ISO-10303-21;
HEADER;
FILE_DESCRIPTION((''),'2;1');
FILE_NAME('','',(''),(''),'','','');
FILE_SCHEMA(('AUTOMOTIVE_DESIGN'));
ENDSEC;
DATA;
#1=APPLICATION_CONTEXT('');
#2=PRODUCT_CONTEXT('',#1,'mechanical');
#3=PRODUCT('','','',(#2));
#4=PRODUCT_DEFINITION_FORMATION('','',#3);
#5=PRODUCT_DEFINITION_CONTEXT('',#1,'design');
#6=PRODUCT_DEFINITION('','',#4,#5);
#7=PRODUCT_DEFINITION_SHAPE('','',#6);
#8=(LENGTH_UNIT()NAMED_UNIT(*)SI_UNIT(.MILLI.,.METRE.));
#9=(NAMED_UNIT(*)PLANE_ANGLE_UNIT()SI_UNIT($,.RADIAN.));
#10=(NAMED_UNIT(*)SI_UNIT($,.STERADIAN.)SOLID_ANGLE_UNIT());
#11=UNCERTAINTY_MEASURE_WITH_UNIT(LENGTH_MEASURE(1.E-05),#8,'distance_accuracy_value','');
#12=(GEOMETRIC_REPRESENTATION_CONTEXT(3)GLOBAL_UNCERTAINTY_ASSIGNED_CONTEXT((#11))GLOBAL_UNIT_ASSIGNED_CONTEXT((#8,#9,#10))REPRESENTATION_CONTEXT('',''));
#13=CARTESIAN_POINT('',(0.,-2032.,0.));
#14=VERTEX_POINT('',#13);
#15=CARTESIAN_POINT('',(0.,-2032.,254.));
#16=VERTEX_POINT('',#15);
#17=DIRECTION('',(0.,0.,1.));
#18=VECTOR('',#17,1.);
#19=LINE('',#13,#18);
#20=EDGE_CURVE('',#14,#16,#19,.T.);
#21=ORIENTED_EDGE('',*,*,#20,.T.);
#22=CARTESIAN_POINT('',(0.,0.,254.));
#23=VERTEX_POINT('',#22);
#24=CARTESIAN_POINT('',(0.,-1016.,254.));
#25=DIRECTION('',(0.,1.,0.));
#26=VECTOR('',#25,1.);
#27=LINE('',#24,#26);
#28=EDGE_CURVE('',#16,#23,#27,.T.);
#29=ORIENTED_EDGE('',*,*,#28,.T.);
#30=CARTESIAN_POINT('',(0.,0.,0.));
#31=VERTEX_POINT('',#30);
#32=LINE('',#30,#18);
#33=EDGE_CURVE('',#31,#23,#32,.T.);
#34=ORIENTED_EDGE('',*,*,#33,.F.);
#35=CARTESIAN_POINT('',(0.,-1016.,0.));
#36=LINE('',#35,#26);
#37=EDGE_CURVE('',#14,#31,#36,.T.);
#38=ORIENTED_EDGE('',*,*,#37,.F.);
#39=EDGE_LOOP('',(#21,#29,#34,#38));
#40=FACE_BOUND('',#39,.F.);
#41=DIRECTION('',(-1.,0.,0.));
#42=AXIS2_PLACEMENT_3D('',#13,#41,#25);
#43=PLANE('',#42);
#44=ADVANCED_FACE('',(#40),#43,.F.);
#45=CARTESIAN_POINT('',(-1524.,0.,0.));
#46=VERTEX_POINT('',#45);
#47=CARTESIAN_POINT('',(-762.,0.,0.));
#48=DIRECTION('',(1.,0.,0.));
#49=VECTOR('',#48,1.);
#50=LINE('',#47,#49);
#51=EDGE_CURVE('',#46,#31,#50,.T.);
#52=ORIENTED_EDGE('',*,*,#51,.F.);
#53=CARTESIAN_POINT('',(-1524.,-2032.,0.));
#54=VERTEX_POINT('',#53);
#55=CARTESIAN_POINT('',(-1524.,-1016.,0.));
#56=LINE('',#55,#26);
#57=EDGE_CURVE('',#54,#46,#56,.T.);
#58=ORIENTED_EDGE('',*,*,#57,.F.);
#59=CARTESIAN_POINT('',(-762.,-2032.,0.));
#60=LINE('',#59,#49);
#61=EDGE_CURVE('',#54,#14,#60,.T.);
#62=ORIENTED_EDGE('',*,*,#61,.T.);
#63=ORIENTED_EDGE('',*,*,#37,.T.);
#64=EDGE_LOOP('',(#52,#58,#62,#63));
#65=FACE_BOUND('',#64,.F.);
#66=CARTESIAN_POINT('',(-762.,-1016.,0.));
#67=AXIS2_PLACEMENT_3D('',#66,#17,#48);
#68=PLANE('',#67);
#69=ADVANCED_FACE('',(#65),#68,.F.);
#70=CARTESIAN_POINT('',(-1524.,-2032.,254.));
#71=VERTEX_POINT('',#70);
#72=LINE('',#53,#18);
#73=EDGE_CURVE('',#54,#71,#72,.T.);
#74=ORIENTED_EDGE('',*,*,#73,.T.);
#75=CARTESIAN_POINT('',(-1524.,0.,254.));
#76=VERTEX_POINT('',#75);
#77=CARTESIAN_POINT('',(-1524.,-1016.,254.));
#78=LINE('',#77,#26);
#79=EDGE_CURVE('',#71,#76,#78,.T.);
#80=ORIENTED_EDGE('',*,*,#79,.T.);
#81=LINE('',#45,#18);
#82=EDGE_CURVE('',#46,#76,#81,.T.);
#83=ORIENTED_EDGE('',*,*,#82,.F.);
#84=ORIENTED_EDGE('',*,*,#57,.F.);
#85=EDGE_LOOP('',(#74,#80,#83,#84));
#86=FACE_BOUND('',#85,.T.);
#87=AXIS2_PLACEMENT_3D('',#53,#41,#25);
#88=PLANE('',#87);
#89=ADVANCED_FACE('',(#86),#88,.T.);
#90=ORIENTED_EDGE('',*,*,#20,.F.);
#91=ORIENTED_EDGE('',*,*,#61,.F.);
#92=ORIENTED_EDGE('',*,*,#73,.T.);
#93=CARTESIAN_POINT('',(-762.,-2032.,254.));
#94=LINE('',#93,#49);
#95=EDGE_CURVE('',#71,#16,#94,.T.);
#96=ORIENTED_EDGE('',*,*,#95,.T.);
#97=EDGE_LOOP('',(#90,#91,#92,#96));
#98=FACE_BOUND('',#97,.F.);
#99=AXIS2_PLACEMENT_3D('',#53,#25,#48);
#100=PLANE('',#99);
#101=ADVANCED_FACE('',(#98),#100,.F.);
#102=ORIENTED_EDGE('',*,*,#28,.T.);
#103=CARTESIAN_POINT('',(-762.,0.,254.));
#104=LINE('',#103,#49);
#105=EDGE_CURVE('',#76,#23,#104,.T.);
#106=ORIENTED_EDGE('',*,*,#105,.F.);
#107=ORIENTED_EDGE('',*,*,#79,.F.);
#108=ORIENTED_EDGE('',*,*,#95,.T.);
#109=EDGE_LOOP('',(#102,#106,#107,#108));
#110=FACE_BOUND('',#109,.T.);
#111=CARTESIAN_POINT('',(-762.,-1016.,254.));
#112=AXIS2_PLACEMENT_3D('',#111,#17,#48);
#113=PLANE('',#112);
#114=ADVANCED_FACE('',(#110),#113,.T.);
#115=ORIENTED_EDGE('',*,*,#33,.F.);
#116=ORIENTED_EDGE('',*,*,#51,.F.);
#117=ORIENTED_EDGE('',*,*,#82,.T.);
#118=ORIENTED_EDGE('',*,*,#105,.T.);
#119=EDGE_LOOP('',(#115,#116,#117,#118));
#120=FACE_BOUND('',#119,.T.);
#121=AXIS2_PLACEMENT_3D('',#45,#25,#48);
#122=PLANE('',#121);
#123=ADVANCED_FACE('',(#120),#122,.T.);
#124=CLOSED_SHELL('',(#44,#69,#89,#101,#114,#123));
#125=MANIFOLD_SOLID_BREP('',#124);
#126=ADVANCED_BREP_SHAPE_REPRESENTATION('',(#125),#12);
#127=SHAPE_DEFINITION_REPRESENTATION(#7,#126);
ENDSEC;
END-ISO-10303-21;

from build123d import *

# Parameters (mm, degrees)
SKETCH_W  = 1524
SKETCH_H  = 2032
PAD_DEPTH = 254


with BuildPart() as part:
    # Sketch → Pad (new body)
    with BuildSketch(Plane.XY):
        with Locations((-762, -1016)):
            Rectangle(SKETCH_W, SKETCH_H)
    extrude(amount=PAD_DEPTH)


solid = part.part
